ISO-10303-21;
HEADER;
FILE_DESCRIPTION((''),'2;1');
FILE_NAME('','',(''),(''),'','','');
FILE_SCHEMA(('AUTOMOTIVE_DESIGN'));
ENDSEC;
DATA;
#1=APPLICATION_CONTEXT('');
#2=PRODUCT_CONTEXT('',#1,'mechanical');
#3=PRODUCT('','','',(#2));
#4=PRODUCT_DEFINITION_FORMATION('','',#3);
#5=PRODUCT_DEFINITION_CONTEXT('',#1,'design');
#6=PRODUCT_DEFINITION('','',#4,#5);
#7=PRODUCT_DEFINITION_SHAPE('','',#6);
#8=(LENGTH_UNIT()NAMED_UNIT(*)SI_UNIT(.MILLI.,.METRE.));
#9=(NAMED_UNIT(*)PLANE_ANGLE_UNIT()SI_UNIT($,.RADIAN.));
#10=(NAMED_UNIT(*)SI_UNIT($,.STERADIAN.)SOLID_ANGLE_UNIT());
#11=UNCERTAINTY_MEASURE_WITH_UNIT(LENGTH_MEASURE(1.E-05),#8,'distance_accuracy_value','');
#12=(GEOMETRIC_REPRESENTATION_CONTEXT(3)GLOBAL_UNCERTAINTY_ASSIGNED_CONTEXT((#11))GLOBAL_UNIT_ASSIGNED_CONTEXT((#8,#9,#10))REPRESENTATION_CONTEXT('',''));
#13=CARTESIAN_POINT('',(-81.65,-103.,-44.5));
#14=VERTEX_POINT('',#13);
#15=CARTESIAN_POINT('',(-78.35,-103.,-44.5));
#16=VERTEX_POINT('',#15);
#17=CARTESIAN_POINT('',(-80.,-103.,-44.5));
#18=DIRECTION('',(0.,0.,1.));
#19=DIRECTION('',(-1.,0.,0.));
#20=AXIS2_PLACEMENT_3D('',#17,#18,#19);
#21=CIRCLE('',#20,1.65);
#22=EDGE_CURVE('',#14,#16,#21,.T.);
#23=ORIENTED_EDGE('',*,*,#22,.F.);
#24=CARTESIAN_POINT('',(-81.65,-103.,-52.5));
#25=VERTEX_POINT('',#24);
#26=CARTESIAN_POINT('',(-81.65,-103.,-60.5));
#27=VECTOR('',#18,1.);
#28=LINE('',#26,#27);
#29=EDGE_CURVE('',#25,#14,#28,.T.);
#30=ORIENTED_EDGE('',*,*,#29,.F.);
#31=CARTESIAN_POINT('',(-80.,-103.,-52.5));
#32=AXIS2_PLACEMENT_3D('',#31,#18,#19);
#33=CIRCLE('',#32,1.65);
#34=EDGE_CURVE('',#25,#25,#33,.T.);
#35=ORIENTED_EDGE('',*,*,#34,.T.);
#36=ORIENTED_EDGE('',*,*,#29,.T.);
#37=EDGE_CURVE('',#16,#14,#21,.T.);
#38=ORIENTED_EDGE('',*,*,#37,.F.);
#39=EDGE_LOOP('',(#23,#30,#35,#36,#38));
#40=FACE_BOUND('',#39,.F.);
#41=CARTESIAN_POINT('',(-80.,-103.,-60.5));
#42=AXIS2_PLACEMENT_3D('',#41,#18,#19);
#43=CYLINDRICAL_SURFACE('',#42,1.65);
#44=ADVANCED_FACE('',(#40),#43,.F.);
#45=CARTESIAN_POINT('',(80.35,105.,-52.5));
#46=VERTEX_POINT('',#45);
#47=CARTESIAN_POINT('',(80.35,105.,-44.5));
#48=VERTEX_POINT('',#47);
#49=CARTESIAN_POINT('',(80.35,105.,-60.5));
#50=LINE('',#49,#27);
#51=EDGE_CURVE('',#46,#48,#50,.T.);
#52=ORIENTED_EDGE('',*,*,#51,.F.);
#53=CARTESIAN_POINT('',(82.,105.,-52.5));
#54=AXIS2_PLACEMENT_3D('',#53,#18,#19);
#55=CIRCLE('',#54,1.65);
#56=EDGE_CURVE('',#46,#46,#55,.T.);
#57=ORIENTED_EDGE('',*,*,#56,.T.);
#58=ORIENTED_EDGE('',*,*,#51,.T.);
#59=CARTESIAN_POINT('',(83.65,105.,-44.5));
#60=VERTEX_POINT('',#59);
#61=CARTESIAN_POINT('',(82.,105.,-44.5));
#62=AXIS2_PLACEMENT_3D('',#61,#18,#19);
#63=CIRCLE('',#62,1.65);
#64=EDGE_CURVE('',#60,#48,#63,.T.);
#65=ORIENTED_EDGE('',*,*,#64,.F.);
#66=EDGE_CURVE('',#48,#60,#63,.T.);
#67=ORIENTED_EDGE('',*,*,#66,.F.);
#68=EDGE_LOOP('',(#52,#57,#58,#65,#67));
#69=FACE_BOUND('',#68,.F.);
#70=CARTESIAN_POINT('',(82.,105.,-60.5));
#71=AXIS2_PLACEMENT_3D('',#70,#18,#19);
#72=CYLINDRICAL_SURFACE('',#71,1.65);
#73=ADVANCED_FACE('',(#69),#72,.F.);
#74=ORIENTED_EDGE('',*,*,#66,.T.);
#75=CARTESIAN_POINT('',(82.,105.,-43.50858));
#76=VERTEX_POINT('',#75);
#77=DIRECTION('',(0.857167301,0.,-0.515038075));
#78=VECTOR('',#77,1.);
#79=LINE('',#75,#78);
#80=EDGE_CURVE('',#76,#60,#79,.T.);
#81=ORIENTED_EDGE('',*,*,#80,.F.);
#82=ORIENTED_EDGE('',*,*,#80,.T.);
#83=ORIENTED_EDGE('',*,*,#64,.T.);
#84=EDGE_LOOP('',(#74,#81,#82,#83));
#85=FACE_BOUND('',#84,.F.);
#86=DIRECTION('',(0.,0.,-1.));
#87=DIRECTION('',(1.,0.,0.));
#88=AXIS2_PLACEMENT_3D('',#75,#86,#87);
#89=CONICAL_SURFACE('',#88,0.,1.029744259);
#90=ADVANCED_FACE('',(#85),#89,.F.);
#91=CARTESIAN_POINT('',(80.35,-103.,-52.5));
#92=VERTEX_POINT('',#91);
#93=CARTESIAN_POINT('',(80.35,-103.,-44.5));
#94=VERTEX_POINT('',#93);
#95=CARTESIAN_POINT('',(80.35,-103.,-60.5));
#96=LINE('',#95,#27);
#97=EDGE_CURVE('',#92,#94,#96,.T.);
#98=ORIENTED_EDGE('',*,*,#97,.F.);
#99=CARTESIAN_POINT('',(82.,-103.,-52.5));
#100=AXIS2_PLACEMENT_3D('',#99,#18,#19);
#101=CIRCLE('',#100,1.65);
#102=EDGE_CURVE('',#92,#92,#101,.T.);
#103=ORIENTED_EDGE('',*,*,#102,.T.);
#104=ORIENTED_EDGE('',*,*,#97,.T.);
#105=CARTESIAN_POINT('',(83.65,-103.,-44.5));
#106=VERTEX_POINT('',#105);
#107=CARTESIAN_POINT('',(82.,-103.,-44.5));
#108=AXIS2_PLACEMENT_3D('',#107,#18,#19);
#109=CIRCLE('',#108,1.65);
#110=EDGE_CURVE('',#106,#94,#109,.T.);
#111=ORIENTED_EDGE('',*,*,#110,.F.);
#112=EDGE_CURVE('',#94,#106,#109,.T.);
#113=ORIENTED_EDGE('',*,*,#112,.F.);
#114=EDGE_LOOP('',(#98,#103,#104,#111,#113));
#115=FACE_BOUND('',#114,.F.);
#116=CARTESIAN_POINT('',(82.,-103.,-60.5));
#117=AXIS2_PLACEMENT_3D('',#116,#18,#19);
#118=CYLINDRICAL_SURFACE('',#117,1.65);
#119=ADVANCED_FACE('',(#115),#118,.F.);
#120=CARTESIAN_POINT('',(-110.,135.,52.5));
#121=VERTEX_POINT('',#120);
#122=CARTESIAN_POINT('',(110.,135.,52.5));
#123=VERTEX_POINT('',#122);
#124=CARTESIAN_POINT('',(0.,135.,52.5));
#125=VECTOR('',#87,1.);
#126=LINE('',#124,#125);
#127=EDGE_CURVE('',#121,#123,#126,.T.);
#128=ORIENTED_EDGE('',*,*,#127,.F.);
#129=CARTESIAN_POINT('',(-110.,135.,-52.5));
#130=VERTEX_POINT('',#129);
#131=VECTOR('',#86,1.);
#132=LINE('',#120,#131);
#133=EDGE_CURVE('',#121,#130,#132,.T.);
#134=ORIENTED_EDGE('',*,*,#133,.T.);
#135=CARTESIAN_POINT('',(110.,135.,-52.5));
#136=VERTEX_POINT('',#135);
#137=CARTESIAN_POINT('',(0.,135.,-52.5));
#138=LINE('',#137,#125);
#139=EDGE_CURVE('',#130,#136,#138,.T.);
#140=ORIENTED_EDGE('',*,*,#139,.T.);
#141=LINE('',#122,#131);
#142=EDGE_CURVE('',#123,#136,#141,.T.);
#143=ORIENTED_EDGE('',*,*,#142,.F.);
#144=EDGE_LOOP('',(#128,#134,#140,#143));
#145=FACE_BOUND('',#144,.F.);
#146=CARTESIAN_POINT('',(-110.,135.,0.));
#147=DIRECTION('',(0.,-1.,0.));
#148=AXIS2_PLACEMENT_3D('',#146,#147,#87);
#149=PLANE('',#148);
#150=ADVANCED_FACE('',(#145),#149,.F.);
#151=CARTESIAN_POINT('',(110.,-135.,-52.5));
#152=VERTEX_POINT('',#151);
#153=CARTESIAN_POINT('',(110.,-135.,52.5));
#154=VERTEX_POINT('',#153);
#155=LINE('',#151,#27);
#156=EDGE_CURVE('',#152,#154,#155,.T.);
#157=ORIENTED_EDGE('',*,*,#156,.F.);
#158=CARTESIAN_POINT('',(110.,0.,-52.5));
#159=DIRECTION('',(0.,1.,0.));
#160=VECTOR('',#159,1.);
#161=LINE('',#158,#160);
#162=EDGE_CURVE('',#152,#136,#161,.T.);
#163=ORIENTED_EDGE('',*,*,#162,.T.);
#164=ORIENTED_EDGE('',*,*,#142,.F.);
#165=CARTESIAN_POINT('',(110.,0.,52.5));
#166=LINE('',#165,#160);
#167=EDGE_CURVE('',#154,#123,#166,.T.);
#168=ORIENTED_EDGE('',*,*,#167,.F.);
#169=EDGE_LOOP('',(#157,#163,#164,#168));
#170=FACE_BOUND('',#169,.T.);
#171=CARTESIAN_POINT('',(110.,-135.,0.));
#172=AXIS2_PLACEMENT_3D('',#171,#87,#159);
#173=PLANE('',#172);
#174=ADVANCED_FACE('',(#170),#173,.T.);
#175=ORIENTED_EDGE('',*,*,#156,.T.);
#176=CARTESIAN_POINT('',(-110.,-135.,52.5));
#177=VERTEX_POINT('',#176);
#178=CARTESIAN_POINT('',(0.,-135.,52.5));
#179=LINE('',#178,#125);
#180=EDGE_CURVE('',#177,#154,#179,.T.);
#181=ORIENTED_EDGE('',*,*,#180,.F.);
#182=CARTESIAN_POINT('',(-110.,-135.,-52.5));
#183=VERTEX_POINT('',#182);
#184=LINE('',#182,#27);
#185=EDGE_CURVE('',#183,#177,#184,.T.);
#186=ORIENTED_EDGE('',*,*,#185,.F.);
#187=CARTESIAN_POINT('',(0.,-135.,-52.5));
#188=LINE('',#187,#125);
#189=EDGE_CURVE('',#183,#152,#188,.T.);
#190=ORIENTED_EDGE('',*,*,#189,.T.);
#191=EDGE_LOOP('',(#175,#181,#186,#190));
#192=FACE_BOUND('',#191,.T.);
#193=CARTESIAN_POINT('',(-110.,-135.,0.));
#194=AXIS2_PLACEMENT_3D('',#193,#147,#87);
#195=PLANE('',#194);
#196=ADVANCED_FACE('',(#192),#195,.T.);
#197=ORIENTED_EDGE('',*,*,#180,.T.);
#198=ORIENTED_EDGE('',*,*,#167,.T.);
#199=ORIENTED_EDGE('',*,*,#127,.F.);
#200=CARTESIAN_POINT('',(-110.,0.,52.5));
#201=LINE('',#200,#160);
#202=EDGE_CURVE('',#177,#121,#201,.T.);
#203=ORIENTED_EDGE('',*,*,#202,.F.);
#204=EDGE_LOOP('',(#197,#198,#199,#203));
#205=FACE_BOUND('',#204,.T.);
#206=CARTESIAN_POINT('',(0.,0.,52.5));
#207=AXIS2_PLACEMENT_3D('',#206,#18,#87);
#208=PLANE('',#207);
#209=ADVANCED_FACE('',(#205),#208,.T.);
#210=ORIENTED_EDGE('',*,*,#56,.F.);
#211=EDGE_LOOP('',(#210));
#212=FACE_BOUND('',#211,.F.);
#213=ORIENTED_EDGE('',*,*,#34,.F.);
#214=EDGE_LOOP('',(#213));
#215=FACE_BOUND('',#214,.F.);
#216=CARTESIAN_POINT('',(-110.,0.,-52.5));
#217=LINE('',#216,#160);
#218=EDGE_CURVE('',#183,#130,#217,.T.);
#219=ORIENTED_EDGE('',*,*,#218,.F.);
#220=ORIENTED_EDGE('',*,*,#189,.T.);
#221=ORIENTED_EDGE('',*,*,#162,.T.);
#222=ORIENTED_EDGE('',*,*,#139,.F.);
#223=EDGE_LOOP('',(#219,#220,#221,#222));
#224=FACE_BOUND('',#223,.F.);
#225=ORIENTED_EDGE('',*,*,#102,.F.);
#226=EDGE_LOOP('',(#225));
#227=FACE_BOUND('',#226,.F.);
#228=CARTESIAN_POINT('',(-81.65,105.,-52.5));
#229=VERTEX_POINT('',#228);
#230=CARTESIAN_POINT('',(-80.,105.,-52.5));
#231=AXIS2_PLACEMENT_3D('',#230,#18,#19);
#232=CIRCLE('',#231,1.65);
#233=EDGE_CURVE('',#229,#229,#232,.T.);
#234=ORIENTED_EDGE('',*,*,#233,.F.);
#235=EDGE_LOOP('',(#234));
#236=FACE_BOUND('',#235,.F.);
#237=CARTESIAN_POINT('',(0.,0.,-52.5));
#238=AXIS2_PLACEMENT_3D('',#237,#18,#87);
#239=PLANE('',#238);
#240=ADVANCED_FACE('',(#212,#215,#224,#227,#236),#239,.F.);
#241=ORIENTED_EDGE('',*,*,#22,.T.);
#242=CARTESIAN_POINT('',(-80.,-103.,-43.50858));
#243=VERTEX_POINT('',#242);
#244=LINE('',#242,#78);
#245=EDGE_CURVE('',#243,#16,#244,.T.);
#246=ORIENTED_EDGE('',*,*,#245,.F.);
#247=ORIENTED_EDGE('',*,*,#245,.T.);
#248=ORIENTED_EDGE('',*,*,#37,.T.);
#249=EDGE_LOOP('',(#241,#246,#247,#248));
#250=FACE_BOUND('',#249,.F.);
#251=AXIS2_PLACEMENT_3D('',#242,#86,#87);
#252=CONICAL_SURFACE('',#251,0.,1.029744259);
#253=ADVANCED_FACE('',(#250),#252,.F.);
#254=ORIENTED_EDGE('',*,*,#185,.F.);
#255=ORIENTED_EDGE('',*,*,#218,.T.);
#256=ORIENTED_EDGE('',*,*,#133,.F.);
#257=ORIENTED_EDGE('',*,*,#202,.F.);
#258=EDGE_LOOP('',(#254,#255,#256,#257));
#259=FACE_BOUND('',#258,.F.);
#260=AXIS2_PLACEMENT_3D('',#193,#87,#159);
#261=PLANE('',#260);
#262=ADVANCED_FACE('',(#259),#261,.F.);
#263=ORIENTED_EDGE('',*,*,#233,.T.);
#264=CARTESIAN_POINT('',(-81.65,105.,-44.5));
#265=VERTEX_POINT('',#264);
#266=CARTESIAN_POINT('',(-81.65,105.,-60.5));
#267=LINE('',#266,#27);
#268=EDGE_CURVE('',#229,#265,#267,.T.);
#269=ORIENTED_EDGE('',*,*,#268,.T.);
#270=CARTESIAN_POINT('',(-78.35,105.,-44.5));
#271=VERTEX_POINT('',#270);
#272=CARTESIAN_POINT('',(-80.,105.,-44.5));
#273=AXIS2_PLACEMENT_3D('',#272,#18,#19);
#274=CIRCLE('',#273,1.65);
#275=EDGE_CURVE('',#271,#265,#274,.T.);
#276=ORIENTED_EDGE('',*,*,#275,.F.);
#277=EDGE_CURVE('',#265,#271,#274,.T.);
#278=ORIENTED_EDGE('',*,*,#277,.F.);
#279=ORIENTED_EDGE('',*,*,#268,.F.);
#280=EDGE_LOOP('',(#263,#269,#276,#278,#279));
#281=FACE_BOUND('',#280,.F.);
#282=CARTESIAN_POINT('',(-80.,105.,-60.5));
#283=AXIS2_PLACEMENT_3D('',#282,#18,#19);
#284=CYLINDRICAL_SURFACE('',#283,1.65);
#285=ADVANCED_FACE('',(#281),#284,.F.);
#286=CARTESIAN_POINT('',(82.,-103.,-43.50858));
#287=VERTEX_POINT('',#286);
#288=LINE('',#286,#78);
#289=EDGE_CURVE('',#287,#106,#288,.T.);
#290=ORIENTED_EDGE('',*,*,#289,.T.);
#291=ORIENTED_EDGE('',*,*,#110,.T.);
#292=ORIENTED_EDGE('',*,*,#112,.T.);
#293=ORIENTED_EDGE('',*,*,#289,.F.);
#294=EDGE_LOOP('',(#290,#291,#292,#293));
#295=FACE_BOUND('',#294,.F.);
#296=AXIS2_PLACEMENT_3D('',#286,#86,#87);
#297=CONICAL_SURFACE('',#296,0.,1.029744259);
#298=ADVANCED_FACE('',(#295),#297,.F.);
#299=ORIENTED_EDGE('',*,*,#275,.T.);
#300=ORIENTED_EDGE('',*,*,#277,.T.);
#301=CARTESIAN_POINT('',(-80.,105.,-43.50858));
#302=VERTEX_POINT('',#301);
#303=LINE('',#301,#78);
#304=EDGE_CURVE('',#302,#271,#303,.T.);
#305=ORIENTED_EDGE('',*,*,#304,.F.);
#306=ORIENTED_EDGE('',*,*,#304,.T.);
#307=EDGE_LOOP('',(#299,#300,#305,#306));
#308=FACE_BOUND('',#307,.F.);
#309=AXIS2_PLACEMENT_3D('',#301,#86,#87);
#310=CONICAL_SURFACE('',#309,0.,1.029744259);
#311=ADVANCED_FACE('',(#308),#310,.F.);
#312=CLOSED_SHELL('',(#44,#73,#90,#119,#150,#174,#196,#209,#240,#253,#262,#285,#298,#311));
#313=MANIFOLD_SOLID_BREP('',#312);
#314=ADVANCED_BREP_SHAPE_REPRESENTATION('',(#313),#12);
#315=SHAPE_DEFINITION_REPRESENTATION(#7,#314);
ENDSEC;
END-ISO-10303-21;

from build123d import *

# Parameters (mm, degrees)
F0_W     = 220
F0_H     = 270
F1_DEPTH = 52.5
F3_D     = 3.3
F3_DEPTH = 8
F3_TIP   = 0.9914200214


with BuildPart() as f1:
    # F0 (on Top) → F1 (new body, symmetric)
    with BuildSketch(Plane.XY):
        Rectangle(F0_W, F0_H)
    extrude(amount=F1_DEPTH, both=True)

    # F3
    with Locations(Plane(origin=(0, 0, -52.5), x_dir=(1, 0, 0), z_dir=(0, 0, -1))):
        with Locations((-80, -105), (-80, 103), (82, 103), (82, -105)):
            Hole(F3_D / 2, depth=F3_DEPTH)
            with Locations((0, 0, -(F3_DEPTH + F3_TIP / 2))):  # 118° drill point
                Cone(0, F3_D / 2, F3_TIP, mode=Mode.SUBTRACT)


solid = f1.part
